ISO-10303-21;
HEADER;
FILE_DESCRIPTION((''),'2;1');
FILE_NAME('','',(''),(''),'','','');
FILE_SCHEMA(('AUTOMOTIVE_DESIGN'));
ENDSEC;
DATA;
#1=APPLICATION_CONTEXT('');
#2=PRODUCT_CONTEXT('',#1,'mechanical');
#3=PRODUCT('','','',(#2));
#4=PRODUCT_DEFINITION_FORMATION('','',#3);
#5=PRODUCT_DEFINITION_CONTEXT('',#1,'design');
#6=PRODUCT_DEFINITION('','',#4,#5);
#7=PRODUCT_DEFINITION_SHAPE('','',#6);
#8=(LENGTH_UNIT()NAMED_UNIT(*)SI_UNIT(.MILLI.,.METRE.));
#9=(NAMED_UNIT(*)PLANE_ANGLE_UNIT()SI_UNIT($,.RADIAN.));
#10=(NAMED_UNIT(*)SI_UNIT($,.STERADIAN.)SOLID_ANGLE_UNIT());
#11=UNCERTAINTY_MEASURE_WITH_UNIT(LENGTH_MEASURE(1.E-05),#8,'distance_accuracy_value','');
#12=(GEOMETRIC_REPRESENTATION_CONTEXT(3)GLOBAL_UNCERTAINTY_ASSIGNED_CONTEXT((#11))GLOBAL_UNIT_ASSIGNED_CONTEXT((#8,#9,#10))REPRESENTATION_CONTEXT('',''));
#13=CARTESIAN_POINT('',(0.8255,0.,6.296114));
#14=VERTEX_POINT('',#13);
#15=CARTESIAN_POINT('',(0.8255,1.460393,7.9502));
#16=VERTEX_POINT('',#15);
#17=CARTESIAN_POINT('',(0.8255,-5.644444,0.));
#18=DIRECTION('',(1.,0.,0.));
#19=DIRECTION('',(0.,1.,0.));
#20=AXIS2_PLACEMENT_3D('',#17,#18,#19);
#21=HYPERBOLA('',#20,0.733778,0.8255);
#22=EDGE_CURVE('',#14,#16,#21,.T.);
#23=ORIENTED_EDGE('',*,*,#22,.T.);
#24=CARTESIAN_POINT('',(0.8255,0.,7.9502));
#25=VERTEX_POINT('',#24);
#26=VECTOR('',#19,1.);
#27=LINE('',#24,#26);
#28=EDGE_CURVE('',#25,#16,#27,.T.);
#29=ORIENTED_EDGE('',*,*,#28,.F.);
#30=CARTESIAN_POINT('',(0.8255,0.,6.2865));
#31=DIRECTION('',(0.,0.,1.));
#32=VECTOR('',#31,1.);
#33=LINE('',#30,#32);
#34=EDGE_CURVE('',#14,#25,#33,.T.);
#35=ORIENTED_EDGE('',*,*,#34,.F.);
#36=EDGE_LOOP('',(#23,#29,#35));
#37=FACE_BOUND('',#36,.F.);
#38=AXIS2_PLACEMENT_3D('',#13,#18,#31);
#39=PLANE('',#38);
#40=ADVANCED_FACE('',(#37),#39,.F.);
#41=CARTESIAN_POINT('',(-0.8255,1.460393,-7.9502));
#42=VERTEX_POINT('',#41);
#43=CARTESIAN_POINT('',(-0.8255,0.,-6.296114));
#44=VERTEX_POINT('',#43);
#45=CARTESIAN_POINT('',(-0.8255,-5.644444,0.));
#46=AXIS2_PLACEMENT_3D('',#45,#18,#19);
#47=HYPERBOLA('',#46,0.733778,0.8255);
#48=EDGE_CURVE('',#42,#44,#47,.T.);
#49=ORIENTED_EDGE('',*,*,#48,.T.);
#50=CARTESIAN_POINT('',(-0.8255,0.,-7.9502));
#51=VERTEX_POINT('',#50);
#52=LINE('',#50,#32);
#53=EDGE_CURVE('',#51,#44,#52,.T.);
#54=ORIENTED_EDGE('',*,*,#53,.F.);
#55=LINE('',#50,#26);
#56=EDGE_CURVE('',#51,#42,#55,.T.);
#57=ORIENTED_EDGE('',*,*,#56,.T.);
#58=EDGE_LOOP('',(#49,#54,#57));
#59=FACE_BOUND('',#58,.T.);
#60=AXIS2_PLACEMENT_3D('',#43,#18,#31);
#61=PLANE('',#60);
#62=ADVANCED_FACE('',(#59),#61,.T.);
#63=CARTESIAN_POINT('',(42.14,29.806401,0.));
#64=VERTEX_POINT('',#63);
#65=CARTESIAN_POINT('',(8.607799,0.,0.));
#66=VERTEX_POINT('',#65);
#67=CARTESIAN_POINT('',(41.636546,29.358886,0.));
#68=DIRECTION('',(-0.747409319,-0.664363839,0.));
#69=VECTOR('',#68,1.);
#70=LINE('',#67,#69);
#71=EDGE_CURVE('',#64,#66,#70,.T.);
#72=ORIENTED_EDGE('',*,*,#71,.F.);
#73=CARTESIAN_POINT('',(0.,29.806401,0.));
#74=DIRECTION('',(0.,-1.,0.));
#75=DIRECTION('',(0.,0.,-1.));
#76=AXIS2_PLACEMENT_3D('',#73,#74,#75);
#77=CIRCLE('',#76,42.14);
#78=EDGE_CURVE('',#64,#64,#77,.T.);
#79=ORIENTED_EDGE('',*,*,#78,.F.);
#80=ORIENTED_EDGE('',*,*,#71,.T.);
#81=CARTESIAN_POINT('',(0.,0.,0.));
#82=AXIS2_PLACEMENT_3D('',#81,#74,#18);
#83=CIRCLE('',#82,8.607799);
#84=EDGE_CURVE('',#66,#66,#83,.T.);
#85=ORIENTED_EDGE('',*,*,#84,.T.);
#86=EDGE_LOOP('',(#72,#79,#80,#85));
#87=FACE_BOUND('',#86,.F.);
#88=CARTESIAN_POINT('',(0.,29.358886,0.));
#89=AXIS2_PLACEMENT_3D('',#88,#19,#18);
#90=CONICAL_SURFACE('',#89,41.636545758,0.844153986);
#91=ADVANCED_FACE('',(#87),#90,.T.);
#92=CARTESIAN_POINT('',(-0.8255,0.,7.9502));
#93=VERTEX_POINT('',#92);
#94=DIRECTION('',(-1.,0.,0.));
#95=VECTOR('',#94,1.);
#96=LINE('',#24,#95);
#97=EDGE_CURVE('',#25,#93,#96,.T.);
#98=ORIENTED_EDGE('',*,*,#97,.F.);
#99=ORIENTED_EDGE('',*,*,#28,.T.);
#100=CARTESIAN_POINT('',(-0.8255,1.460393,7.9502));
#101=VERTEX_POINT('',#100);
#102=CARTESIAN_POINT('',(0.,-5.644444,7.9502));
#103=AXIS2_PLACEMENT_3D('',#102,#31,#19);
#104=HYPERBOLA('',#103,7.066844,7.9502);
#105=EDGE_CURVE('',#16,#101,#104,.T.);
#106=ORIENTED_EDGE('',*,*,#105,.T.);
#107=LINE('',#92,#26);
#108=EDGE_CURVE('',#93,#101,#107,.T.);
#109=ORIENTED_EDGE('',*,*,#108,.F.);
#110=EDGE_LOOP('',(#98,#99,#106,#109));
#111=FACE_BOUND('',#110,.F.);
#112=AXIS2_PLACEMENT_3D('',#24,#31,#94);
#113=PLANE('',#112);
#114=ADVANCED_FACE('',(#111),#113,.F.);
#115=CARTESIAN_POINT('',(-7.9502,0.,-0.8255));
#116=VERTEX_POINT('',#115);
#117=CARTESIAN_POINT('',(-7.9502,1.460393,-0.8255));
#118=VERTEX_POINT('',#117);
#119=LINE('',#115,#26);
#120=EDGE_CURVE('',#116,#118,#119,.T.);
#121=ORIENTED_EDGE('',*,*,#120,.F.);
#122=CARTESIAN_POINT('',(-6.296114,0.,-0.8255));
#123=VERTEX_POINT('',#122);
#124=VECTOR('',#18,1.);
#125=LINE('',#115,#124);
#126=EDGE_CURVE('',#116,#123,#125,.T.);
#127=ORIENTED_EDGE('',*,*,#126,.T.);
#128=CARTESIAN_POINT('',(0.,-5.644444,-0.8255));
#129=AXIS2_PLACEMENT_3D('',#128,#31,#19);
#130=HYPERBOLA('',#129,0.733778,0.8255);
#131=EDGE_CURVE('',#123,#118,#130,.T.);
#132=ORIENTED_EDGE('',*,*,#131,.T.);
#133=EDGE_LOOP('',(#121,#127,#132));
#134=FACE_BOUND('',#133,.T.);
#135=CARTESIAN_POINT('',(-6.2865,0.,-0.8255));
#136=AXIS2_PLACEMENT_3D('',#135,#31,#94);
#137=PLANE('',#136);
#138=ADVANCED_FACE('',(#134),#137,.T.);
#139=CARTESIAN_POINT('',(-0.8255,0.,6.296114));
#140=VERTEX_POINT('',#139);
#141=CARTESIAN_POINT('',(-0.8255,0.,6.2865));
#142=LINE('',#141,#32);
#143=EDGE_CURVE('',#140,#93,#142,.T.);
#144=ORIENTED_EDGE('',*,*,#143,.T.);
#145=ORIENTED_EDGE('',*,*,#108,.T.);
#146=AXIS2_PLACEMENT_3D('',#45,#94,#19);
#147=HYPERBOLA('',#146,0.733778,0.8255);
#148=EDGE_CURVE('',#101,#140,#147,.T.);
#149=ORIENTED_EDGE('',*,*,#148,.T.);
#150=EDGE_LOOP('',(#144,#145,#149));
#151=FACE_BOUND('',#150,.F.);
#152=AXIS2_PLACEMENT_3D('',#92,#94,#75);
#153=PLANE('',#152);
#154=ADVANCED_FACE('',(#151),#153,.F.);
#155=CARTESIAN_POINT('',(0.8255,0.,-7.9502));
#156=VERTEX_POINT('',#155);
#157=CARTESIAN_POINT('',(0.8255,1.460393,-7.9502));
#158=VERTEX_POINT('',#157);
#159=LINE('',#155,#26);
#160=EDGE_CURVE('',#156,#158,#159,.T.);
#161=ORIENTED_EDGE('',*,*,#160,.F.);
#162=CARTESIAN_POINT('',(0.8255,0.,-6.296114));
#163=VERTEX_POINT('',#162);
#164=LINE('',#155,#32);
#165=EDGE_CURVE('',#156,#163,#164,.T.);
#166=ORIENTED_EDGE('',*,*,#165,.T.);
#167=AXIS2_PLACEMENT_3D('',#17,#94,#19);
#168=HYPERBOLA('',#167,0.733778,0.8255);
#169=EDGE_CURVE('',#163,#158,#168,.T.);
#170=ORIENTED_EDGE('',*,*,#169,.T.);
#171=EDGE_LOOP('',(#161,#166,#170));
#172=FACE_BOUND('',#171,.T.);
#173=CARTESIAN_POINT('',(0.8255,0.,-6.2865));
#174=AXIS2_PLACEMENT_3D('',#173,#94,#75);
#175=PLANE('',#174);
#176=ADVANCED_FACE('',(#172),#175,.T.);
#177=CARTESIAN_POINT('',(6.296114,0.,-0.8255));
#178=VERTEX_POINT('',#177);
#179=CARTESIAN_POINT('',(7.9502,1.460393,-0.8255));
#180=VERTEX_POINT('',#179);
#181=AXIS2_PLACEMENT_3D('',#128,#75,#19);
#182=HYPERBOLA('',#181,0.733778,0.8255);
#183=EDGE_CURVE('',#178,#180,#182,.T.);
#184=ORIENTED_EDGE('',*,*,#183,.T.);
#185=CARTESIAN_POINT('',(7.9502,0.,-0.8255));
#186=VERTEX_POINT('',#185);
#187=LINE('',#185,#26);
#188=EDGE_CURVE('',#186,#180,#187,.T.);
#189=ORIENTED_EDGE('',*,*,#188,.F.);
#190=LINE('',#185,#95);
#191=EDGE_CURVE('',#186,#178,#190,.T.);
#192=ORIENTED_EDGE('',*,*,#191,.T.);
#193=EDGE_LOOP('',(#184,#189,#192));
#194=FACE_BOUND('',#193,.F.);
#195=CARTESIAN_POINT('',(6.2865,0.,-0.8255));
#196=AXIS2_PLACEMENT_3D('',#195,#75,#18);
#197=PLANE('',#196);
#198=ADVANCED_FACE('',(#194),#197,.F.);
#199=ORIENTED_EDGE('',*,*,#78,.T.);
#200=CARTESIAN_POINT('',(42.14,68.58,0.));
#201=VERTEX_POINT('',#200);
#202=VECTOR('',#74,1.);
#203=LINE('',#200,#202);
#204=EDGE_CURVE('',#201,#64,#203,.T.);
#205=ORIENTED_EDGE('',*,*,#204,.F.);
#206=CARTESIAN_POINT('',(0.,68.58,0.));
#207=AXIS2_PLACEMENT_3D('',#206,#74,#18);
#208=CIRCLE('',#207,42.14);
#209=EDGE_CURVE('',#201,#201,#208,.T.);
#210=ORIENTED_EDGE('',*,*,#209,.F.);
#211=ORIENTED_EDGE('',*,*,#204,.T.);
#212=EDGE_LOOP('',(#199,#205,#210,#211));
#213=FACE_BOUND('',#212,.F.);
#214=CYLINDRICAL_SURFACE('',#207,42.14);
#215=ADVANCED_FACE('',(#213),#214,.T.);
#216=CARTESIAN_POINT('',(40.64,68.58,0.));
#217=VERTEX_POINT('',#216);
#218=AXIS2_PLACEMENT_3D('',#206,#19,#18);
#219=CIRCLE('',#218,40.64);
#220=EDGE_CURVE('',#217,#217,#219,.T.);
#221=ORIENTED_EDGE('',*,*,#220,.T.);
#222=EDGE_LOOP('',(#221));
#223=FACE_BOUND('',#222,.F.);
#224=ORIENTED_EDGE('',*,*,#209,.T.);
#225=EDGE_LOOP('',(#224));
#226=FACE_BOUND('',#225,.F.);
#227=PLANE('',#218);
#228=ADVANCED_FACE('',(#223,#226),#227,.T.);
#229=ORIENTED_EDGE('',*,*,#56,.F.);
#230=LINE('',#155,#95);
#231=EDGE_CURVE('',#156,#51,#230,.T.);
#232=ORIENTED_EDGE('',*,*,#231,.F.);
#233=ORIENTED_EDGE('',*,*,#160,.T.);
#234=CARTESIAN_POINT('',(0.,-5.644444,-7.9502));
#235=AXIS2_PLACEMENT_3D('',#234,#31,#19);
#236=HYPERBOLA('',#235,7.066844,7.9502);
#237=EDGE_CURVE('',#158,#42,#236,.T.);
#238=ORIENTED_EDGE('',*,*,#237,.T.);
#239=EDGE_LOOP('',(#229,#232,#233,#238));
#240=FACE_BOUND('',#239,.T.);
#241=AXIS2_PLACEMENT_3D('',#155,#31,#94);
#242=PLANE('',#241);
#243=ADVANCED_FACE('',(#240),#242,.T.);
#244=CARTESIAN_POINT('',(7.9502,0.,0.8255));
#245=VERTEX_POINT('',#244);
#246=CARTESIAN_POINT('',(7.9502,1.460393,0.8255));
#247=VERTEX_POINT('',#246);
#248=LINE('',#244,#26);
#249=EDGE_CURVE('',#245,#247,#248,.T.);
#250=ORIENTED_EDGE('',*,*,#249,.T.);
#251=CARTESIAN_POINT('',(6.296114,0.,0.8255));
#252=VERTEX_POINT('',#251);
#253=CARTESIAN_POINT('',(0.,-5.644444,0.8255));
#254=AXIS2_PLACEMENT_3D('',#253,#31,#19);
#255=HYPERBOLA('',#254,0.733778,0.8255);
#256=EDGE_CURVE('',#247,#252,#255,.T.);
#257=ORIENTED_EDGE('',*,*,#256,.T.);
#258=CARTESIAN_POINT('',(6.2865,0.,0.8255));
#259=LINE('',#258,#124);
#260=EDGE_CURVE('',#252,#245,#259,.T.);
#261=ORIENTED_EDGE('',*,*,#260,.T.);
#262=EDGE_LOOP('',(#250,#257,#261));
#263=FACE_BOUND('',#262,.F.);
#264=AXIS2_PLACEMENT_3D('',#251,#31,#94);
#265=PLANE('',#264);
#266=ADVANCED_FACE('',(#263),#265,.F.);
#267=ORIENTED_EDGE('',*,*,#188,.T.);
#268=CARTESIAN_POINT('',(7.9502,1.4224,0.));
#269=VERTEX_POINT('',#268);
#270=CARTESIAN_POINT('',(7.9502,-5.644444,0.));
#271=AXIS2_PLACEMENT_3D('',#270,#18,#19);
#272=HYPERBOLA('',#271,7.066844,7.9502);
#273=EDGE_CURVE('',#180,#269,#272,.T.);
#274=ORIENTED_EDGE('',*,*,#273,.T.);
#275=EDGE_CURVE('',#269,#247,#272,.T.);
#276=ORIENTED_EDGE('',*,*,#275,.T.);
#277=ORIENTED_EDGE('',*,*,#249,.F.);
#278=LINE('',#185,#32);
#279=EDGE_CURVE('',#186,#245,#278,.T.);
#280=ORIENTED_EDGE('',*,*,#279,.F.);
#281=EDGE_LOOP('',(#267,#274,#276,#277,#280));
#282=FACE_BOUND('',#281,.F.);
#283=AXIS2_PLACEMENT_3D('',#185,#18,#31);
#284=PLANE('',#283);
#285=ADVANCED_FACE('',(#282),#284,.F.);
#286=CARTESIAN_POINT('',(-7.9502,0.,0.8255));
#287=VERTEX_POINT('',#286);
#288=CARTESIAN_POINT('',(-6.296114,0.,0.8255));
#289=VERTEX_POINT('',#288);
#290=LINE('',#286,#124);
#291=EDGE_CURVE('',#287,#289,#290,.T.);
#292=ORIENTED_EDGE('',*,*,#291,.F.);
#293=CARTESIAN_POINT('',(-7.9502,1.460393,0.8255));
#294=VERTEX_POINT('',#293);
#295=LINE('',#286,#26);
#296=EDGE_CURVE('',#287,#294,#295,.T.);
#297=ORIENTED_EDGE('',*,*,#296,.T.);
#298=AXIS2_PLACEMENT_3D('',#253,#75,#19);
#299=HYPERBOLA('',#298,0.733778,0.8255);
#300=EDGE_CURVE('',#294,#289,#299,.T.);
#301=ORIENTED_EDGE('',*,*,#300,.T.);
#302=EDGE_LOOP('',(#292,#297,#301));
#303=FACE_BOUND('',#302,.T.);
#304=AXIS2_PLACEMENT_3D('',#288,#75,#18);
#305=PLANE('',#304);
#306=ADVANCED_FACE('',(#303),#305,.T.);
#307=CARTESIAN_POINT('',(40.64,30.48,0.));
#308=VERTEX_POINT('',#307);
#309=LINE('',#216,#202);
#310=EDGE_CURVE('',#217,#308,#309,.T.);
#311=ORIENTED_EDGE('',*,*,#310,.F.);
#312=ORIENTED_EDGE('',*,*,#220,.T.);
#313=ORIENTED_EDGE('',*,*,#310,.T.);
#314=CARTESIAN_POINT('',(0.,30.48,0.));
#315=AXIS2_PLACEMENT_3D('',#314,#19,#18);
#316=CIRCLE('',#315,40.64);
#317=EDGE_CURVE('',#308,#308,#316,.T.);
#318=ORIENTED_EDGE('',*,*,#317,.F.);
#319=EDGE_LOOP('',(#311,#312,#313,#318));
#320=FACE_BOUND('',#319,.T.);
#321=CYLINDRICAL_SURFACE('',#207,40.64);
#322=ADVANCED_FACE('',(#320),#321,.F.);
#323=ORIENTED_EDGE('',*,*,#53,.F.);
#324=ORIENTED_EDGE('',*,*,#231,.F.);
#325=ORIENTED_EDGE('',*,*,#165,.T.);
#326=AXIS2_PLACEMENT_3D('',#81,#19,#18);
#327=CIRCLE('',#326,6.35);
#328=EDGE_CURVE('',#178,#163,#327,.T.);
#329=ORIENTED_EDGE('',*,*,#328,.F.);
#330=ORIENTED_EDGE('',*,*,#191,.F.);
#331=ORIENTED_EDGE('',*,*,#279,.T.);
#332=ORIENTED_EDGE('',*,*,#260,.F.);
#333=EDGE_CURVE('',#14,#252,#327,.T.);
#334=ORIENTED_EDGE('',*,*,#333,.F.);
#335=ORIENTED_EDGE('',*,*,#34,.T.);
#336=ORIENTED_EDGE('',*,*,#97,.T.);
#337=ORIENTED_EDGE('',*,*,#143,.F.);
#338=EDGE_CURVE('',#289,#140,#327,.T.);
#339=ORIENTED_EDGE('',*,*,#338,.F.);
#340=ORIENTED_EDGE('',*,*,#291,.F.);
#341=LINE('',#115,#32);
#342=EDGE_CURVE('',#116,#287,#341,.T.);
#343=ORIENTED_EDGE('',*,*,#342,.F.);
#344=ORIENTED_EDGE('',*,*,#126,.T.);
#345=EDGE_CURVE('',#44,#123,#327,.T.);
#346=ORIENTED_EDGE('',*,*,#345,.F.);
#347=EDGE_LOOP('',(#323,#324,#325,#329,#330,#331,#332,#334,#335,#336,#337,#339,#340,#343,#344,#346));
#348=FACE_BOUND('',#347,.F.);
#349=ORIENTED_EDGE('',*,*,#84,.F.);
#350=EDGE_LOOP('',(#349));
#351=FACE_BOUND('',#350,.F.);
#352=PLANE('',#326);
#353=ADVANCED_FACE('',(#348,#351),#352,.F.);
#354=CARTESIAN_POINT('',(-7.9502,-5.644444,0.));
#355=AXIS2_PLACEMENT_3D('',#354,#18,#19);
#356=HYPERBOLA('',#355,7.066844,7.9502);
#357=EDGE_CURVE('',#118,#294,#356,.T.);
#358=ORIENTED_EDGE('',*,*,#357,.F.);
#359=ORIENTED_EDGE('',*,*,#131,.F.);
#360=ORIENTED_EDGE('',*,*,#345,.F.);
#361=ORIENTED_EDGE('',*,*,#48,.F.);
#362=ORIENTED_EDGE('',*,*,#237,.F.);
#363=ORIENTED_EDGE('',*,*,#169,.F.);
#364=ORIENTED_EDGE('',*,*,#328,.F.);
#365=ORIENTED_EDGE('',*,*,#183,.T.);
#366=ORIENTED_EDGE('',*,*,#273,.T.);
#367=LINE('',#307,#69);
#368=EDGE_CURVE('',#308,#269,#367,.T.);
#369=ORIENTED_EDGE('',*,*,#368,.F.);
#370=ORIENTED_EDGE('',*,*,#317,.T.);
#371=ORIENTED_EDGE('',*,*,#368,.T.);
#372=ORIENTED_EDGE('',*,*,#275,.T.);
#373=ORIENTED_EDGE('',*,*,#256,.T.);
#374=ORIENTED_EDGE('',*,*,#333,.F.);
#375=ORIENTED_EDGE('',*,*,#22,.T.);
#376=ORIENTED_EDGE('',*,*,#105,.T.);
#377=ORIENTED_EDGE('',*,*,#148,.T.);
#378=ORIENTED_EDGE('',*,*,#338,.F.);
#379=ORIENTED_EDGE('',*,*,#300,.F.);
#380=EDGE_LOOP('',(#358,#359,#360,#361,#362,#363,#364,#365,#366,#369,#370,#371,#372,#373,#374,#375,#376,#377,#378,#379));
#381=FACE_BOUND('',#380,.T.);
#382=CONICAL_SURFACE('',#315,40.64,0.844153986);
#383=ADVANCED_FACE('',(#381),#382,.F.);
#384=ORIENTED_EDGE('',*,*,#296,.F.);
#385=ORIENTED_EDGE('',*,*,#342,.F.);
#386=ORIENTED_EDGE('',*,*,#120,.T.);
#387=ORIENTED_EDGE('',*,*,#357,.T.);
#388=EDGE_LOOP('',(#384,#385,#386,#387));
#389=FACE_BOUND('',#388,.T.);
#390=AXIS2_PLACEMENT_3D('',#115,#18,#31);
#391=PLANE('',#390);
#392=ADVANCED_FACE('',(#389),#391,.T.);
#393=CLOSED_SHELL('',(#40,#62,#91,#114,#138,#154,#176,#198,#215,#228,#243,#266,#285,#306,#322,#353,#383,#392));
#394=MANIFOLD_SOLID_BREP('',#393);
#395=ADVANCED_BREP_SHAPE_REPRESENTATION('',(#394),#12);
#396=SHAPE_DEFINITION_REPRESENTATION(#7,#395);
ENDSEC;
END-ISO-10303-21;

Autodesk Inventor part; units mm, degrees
ref_plane "YZ Plane" through (0, 0, 0) normal (1, 0, 0) x (0, 1, 0)
ref_plane "XZ Plane" through (0, 0, 0) normal (0, 1, 0) x (-1, 0, 0)
ref_plane "XY Plane" through (0, 0, 0) normal (0, 0, 1) x (1, 0, 0)
sketch "Sketch1" plane through (0, 0, 0) normal (0, 0, 1) x (1, 0, 0)
  line L0 (0, 0) -> (0, 68.58)
  line L1 (0, 68.58) -> (40.64, 68.58)
  line L2 (40.64, 30.48) -> (6.35, 0)
  line L3 (6.35, 0) -> (0, 0)
  line L4 (40.64, 68.58) -> (40.64, 30.48)
  dimension "d1" = 40.64
  dimension "d2" = 6.35
  dimension "d6" = 90
  dimension "d21" = 38.1
  dimension "d22" = 30.48
revolve "Revolution1" add sketch "Sketch1" angle 360 about axis through (0, 0, 0) along (0, 1, 0)
shell "Shell1" thickness 1.5 outward yes removed faces 2 at (-10.0721, 68.58, 13.6928) at (-1.8127, 0, 0.4771)
sketch "Sketch2" plane through (0, 0, 0) normal (0, -1, 0) x (1, 0, 0)
  line L0 (6.2865, -0.8255) -> (7.9502, -0.8255)
  line L1 (7.9502, -0.8255) -> (7.9502, 0.8255)
  line L2 (7.9502, 0.8255) -> (6.2865, 0.8255)
  line L3 (6.2865, 0.8255) -> (6.2865, -0.8255)
  line L4 (6.2865, -0.8255) -> (7.9502, 0.8255) construction
  line L5 (7.9502, -0.8255) -> (6.2865, 0.8255) construction
  line L6 (0, 1.1822) -> (0, -1.5875) construction
  line L7 (-6.2865, -0.8255) -> (-7.9502, -0.8255)
  line L8 (-7.9502, -0.8255) -> (-7.9502, 0.8255)
  line L9 (-7.9502, 0.8255) -> (-6.2865, 0.8255)
  line L10 (-6.2865, 0.8255) -> (-6.2865, -0.8255)
  line L11 (2.1925, 0) -> (-0.3475, 0) construction
  line L12 (-0.8255, 6.2865) -> (0.8255, 6.2865)
  line L13 (0.8255, 6.2865) -> (0.8255, 7.9502)
  line L14 (0.8255, 7.9502) -> (-0.8255, 7.9502)
  line L15 (-0.8255, 7.9502) -> (-0.8255, 6.2865)
  line L16 (-0.8255, 6.2865) -> (0.8255, 7.9502) construction
  line L17 (0.8255, 6.2865) -> (-0.8255, 7.9502) construction
  line L18 (-0.8255, -6.2865) -> (0.8255, -6.2865)
  line L19 (0.8255, -6.2865) -> (0.8255, -7.9502)
  line L20 (0.8255, -7.9502) -> (-0.8255, -7.9502)
  line L21 (-0.8255, -7.9502) -> (-0.8255, -6.2865)
  line L22 (-0.8255, -6.2865) -> (0.8255, -7.9502) construction
  line L23 (0.8255, -6.2865) -> (-0.8255, -7.9502) construction
  circle A0 centre (0, 0) radius 6.35 projected
  point P0 (0, 0)
  point P1 (7.1183, 0)
  point P2 (-7.1183, 0)
  point P3 (0, 7.1183)
  point P4 (0, -7.1183)
  dimension "d8" = 1.651
  dimension "d9" = 1.6637
  dimension "d11" = 1.6637
  dimension "d12" = 1.651
  dimension "d17" = 0.0635
  dimension "d18" = 0.0635
extrude "Extrusion3" cut sketch "Sketch2" against normal blind 1.651 contours L3 L2 A0 L0 | A0 L2 L1 L0 | A0 L21 L18 L19 | L19 L20 L21 A0 | A0 L15 L14 L13 | L13 L12 L15 A0 | A0 L9 L10 L7 | L7 L8 L9 A0
equation "\"BendRadius\" = Thickness"
equation "\"BendReliefWidth\" = Thickness"
equation "\"BendReliefDepth\" = 0.5 * Thickness"
equation "\"CornerReliefSize\" = 4 * Thickness"
equation "\"MinimumRemnant\" = 2 * Thickness"
equation "\"TransitionRadius\" = BendRadius"
equation "\"JacobiRadiusSize\" = BendRadius"
equation "\"GapSize\" = Thickness"
equation "\"Thickness\" = 3.048"
properties part number "LargerWidefieldCone_v3"
